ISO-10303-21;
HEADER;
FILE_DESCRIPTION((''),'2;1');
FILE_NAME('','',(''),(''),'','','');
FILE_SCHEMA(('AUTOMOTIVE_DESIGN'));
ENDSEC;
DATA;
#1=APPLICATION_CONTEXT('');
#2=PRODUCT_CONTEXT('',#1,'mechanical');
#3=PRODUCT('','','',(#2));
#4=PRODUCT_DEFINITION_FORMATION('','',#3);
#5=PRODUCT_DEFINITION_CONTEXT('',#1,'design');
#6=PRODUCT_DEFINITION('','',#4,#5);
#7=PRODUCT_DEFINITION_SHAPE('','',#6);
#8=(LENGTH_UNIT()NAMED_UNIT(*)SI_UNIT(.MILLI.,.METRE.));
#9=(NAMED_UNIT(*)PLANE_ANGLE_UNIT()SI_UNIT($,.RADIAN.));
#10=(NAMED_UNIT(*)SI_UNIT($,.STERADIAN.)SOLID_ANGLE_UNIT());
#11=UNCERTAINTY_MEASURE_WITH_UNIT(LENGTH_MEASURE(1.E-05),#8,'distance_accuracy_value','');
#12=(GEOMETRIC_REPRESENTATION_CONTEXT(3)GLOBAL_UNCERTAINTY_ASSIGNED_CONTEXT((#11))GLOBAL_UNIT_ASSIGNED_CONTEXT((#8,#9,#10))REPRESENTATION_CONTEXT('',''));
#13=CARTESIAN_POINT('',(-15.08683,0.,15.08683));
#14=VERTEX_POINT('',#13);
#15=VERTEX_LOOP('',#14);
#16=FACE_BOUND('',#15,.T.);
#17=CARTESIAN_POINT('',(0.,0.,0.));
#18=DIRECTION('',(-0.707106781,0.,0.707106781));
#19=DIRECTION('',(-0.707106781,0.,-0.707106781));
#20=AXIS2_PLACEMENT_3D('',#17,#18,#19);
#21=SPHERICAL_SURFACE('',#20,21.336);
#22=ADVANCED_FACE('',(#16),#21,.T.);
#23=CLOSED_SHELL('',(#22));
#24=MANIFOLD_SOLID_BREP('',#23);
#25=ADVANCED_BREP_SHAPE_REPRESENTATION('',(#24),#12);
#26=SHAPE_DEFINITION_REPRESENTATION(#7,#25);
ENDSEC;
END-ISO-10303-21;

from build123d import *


with BuildPart() as part:
    # Sketch1 → Revolve1 (revolve)
    with BuildSketch(Plane(origin=(0, 0, 0), x_dir=(1, 0, 0), z_dir=(0, 1, 0))):
        with BuildLine():
            Line((0, 0), (15.086830283, 15.086830283))
            ThreePointArc((15.086830283, 15.086830283), (15.086830283, -15.086830283), (-15.086830283, -15.086830283))
            Line((-15.086830283, -15.086830283), (0, 0))
        make_face()
    revolve(axis=Axis((0, 0, 0), (0.707106781, 0, -0.707106781)))


solid = part.part
